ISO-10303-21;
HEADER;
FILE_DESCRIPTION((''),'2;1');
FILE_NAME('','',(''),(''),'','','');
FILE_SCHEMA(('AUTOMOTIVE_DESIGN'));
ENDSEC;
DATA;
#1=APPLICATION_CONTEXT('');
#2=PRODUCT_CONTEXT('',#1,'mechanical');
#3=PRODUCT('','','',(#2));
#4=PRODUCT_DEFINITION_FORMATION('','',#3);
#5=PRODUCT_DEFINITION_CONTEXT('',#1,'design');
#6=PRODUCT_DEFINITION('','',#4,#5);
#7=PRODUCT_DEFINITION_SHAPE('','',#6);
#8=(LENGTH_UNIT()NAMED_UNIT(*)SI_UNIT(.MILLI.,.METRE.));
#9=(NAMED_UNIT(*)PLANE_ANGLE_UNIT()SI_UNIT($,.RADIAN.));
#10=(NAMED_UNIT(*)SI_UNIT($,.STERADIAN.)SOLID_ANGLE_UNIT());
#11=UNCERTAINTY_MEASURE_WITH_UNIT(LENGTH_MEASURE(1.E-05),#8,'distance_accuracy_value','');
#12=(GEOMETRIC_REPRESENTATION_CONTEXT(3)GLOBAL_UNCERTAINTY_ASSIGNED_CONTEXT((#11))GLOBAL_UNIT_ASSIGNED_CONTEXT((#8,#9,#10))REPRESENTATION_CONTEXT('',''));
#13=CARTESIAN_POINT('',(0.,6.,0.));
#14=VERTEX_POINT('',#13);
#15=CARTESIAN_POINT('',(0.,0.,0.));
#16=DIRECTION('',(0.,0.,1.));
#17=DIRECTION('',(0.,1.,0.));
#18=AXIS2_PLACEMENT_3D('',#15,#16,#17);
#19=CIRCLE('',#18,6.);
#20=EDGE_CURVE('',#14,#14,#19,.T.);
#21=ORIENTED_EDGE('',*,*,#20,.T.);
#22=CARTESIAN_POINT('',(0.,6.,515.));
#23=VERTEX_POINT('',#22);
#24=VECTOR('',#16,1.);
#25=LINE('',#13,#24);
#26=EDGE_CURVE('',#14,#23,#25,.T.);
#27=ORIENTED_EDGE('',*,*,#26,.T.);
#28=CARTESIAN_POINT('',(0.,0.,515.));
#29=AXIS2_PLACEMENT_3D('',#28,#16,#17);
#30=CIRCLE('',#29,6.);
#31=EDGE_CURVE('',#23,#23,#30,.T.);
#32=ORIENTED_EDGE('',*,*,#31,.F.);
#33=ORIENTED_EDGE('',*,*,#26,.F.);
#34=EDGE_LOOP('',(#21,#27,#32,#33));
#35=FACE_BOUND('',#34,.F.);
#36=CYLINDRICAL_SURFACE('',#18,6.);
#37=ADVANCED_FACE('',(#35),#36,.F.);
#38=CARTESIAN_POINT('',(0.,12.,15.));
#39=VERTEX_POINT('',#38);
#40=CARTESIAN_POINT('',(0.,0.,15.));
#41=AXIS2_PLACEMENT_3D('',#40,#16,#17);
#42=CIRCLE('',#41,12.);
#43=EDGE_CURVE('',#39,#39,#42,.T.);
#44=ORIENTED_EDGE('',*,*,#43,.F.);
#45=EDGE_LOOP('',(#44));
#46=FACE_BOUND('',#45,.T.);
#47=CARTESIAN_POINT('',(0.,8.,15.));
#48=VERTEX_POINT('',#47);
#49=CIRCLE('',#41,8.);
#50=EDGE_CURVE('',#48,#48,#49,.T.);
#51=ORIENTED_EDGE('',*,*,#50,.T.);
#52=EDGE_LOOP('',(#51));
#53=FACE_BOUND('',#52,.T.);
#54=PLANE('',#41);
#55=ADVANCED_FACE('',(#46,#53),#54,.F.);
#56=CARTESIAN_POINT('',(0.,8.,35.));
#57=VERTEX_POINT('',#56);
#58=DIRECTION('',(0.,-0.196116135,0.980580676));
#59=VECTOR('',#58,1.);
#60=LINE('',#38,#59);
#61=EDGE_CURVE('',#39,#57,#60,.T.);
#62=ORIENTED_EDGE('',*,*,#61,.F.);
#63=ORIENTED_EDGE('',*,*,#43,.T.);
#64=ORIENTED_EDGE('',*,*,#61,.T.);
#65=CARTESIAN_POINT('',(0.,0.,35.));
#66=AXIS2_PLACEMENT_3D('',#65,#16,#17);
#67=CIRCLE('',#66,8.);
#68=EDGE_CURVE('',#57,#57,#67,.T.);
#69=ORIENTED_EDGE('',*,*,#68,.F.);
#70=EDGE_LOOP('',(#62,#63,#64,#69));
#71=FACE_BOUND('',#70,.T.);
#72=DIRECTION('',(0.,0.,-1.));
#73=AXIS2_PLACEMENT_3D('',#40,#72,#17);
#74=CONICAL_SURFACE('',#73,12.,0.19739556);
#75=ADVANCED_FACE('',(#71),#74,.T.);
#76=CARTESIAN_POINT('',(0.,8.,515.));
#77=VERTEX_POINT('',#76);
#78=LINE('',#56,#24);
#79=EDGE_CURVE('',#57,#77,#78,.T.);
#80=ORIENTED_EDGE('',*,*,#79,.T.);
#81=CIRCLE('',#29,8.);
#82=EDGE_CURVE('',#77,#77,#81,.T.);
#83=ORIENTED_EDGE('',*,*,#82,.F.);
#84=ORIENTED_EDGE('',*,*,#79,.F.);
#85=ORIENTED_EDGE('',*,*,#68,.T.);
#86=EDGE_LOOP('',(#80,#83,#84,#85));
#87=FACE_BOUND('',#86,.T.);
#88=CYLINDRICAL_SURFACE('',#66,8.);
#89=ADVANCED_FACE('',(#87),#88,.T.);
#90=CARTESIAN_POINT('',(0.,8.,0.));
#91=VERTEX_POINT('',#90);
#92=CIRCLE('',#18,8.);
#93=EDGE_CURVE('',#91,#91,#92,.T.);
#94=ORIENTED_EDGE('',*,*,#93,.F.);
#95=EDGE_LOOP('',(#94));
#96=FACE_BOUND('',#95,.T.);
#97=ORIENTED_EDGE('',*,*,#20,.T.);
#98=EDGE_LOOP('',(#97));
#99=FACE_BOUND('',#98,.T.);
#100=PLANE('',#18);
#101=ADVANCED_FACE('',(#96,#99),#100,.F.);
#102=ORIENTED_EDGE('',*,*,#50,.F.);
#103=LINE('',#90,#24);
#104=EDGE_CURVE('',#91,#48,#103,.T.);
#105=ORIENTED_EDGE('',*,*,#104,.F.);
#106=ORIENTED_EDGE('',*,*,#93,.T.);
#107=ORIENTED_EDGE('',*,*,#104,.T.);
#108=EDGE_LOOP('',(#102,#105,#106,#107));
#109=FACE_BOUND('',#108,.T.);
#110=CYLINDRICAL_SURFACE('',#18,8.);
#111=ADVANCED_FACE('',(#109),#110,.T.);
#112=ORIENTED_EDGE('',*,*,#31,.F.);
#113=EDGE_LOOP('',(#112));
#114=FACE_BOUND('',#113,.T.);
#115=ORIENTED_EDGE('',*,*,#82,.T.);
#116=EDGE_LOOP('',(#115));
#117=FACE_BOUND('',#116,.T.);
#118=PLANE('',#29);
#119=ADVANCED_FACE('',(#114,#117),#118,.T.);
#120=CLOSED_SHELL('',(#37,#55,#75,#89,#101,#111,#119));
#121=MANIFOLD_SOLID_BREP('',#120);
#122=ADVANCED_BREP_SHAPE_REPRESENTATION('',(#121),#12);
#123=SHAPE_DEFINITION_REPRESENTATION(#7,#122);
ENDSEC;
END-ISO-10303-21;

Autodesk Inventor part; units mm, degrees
ref_plane "YZ Plane" through (0, 0, 0) normal (1, 0, 0) x (0, 1, 0)
ref_plane "XZ Plane" through (0, 0, 0) normal (0, 1, 0) x (-1, 0, 0)
ref_plane "XY Plane" through (0, 0, 0) normal (0, 0, 1) x (1, 0, 0)
sketch "Esquisse1" plane through (0, 0, 0) normal (1, 0, 0) x (0, 1, 0)
  line L0 (0, 0) -> (0, 16.4425)
  line L1 (6, 0) -> (6, 515)
  line L2 (6, 0) -> (8, 0)
  line L3 (8, 0) -> (8, 15)
  line L4 (8, 15) -> (12, 15)
  line L5 (12, 15) -> (8, 35)
  line L6 (8, 35) -> (8, 515)
  line L7 (8, 515) -> (6, 515)
  dimension "d1" = 4
  dimension "d2" = 15
  dimension "d3" = 16
  dimension "d4" = 12
  dimension "d5" = 20
  dimension "d6" = 500
revolve "Révolution1" add sketch "Esquisse1" angle 360 about axis through (0, 0, 0) along (0, 0, 1)
thread "Filetage1" size "M16x2" class "6g" standard "ISO Metric profile" full length
properties part number "canon"
